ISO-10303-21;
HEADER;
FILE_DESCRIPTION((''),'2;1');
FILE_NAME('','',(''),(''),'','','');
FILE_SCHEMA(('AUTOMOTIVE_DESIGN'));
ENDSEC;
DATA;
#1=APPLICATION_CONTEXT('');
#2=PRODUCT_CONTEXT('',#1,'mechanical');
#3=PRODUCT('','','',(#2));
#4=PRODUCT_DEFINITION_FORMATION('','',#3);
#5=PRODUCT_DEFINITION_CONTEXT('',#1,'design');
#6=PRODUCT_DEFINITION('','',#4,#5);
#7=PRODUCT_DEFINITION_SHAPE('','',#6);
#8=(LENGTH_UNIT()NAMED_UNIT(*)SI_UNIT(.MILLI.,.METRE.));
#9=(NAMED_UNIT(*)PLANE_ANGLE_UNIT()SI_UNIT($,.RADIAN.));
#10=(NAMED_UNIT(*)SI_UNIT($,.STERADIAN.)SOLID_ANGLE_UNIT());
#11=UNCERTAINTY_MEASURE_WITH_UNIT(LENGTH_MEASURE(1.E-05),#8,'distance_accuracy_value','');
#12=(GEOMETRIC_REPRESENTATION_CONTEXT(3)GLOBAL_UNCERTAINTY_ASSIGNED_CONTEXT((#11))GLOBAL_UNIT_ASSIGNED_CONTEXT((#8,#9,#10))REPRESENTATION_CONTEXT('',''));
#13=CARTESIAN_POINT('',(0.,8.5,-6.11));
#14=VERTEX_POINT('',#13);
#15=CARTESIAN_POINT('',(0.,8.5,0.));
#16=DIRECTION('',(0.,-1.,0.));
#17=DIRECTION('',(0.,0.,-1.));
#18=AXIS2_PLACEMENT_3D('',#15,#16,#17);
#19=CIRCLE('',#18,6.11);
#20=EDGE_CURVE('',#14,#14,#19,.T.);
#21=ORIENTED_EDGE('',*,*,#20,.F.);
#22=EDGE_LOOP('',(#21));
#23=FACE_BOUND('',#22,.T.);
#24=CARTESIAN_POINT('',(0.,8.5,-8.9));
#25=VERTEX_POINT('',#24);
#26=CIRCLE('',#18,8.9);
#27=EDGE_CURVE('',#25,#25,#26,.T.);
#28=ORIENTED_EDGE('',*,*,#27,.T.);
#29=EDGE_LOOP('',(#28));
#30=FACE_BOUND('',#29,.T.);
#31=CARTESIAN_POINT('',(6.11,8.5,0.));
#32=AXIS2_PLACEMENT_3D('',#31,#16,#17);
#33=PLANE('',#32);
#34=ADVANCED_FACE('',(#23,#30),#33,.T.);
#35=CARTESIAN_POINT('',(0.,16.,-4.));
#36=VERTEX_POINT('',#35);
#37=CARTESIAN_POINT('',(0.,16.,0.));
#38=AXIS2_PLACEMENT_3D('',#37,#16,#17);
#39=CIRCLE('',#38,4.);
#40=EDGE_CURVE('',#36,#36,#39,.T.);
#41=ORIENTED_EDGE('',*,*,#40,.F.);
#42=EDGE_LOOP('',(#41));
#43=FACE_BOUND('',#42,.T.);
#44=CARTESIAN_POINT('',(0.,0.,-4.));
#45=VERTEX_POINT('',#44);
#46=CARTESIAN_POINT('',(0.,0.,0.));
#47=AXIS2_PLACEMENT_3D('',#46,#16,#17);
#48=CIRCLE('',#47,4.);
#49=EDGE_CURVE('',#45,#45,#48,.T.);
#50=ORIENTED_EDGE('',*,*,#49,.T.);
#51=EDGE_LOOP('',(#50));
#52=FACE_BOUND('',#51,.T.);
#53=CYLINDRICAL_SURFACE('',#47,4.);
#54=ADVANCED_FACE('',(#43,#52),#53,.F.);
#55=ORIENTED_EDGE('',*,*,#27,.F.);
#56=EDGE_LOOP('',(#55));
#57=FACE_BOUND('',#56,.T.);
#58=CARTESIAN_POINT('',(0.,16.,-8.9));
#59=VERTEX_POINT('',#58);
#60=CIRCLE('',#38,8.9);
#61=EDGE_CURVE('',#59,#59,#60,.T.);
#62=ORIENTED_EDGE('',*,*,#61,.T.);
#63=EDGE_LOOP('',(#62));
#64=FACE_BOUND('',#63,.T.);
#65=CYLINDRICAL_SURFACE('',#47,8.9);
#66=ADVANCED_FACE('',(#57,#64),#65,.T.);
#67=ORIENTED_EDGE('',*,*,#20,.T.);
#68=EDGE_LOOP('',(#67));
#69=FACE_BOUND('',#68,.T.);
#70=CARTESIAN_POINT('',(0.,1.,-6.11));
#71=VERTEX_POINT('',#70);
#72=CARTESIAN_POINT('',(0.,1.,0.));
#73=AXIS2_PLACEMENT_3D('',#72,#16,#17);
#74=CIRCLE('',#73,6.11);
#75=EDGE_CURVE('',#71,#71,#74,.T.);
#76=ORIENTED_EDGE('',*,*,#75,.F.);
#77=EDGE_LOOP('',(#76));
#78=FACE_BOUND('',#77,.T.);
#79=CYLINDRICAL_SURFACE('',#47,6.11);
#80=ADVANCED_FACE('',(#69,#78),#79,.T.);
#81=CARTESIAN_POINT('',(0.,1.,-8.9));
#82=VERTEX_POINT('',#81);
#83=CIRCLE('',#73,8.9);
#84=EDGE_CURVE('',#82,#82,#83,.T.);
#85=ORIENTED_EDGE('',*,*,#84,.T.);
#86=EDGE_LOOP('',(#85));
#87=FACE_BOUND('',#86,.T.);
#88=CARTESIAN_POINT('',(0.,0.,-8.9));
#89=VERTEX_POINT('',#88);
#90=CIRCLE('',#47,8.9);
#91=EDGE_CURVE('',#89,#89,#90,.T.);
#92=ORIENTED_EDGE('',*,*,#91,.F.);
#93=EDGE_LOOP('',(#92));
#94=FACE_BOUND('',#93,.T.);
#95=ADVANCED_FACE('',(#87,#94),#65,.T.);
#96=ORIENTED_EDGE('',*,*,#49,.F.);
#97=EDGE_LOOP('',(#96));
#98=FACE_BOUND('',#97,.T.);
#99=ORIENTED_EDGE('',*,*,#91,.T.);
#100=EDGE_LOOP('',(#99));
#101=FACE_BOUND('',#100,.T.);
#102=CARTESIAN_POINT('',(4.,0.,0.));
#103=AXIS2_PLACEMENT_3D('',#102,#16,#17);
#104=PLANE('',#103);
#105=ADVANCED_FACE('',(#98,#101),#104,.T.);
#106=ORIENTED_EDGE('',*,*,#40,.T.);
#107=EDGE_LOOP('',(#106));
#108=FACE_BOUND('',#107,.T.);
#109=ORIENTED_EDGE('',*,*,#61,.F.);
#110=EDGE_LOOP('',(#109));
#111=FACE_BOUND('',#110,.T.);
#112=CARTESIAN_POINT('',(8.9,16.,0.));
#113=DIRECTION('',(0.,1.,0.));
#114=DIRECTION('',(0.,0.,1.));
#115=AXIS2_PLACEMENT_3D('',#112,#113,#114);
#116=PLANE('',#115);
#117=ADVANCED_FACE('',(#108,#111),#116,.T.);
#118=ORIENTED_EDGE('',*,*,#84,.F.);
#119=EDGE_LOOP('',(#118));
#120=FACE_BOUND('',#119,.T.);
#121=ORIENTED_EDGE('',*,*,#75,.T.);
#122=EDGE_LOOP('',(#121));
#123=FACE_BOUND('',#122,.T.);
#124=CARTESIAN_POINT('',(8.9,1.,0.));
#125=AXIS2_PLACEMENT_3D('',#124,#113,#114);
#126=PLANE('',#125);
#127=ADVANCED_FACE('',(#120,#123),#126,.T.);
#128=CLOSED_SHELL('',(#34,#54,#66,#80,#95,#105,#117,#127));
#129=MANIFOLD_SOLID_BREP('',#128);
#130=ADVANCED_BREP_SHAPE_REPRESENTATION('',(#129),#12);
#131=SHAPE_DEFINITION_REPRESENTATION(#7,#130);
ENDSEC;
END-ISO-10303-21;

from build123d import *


with BuildPart() as part:
    # Esquisse1 → Révolution1 (revolve)
    with BuildSketch(Plane.XY, mode=Mode.PRIVATE) as r_volution1_sk:
        Polygon((4, 0), (8.9, 0), (8.9, 1), (6.11, 1), (6.11, 8.5), (8.9, 8.5), (8.9, 16), (4, 16), align=None)
    revolve(r_volution1_sk.sketch.rotate(Axis((0, 0, 0), (0, 1, 0)), 90), axis=Axis((0, 0, 0), (0, 1, 0)))


solid = part.part
